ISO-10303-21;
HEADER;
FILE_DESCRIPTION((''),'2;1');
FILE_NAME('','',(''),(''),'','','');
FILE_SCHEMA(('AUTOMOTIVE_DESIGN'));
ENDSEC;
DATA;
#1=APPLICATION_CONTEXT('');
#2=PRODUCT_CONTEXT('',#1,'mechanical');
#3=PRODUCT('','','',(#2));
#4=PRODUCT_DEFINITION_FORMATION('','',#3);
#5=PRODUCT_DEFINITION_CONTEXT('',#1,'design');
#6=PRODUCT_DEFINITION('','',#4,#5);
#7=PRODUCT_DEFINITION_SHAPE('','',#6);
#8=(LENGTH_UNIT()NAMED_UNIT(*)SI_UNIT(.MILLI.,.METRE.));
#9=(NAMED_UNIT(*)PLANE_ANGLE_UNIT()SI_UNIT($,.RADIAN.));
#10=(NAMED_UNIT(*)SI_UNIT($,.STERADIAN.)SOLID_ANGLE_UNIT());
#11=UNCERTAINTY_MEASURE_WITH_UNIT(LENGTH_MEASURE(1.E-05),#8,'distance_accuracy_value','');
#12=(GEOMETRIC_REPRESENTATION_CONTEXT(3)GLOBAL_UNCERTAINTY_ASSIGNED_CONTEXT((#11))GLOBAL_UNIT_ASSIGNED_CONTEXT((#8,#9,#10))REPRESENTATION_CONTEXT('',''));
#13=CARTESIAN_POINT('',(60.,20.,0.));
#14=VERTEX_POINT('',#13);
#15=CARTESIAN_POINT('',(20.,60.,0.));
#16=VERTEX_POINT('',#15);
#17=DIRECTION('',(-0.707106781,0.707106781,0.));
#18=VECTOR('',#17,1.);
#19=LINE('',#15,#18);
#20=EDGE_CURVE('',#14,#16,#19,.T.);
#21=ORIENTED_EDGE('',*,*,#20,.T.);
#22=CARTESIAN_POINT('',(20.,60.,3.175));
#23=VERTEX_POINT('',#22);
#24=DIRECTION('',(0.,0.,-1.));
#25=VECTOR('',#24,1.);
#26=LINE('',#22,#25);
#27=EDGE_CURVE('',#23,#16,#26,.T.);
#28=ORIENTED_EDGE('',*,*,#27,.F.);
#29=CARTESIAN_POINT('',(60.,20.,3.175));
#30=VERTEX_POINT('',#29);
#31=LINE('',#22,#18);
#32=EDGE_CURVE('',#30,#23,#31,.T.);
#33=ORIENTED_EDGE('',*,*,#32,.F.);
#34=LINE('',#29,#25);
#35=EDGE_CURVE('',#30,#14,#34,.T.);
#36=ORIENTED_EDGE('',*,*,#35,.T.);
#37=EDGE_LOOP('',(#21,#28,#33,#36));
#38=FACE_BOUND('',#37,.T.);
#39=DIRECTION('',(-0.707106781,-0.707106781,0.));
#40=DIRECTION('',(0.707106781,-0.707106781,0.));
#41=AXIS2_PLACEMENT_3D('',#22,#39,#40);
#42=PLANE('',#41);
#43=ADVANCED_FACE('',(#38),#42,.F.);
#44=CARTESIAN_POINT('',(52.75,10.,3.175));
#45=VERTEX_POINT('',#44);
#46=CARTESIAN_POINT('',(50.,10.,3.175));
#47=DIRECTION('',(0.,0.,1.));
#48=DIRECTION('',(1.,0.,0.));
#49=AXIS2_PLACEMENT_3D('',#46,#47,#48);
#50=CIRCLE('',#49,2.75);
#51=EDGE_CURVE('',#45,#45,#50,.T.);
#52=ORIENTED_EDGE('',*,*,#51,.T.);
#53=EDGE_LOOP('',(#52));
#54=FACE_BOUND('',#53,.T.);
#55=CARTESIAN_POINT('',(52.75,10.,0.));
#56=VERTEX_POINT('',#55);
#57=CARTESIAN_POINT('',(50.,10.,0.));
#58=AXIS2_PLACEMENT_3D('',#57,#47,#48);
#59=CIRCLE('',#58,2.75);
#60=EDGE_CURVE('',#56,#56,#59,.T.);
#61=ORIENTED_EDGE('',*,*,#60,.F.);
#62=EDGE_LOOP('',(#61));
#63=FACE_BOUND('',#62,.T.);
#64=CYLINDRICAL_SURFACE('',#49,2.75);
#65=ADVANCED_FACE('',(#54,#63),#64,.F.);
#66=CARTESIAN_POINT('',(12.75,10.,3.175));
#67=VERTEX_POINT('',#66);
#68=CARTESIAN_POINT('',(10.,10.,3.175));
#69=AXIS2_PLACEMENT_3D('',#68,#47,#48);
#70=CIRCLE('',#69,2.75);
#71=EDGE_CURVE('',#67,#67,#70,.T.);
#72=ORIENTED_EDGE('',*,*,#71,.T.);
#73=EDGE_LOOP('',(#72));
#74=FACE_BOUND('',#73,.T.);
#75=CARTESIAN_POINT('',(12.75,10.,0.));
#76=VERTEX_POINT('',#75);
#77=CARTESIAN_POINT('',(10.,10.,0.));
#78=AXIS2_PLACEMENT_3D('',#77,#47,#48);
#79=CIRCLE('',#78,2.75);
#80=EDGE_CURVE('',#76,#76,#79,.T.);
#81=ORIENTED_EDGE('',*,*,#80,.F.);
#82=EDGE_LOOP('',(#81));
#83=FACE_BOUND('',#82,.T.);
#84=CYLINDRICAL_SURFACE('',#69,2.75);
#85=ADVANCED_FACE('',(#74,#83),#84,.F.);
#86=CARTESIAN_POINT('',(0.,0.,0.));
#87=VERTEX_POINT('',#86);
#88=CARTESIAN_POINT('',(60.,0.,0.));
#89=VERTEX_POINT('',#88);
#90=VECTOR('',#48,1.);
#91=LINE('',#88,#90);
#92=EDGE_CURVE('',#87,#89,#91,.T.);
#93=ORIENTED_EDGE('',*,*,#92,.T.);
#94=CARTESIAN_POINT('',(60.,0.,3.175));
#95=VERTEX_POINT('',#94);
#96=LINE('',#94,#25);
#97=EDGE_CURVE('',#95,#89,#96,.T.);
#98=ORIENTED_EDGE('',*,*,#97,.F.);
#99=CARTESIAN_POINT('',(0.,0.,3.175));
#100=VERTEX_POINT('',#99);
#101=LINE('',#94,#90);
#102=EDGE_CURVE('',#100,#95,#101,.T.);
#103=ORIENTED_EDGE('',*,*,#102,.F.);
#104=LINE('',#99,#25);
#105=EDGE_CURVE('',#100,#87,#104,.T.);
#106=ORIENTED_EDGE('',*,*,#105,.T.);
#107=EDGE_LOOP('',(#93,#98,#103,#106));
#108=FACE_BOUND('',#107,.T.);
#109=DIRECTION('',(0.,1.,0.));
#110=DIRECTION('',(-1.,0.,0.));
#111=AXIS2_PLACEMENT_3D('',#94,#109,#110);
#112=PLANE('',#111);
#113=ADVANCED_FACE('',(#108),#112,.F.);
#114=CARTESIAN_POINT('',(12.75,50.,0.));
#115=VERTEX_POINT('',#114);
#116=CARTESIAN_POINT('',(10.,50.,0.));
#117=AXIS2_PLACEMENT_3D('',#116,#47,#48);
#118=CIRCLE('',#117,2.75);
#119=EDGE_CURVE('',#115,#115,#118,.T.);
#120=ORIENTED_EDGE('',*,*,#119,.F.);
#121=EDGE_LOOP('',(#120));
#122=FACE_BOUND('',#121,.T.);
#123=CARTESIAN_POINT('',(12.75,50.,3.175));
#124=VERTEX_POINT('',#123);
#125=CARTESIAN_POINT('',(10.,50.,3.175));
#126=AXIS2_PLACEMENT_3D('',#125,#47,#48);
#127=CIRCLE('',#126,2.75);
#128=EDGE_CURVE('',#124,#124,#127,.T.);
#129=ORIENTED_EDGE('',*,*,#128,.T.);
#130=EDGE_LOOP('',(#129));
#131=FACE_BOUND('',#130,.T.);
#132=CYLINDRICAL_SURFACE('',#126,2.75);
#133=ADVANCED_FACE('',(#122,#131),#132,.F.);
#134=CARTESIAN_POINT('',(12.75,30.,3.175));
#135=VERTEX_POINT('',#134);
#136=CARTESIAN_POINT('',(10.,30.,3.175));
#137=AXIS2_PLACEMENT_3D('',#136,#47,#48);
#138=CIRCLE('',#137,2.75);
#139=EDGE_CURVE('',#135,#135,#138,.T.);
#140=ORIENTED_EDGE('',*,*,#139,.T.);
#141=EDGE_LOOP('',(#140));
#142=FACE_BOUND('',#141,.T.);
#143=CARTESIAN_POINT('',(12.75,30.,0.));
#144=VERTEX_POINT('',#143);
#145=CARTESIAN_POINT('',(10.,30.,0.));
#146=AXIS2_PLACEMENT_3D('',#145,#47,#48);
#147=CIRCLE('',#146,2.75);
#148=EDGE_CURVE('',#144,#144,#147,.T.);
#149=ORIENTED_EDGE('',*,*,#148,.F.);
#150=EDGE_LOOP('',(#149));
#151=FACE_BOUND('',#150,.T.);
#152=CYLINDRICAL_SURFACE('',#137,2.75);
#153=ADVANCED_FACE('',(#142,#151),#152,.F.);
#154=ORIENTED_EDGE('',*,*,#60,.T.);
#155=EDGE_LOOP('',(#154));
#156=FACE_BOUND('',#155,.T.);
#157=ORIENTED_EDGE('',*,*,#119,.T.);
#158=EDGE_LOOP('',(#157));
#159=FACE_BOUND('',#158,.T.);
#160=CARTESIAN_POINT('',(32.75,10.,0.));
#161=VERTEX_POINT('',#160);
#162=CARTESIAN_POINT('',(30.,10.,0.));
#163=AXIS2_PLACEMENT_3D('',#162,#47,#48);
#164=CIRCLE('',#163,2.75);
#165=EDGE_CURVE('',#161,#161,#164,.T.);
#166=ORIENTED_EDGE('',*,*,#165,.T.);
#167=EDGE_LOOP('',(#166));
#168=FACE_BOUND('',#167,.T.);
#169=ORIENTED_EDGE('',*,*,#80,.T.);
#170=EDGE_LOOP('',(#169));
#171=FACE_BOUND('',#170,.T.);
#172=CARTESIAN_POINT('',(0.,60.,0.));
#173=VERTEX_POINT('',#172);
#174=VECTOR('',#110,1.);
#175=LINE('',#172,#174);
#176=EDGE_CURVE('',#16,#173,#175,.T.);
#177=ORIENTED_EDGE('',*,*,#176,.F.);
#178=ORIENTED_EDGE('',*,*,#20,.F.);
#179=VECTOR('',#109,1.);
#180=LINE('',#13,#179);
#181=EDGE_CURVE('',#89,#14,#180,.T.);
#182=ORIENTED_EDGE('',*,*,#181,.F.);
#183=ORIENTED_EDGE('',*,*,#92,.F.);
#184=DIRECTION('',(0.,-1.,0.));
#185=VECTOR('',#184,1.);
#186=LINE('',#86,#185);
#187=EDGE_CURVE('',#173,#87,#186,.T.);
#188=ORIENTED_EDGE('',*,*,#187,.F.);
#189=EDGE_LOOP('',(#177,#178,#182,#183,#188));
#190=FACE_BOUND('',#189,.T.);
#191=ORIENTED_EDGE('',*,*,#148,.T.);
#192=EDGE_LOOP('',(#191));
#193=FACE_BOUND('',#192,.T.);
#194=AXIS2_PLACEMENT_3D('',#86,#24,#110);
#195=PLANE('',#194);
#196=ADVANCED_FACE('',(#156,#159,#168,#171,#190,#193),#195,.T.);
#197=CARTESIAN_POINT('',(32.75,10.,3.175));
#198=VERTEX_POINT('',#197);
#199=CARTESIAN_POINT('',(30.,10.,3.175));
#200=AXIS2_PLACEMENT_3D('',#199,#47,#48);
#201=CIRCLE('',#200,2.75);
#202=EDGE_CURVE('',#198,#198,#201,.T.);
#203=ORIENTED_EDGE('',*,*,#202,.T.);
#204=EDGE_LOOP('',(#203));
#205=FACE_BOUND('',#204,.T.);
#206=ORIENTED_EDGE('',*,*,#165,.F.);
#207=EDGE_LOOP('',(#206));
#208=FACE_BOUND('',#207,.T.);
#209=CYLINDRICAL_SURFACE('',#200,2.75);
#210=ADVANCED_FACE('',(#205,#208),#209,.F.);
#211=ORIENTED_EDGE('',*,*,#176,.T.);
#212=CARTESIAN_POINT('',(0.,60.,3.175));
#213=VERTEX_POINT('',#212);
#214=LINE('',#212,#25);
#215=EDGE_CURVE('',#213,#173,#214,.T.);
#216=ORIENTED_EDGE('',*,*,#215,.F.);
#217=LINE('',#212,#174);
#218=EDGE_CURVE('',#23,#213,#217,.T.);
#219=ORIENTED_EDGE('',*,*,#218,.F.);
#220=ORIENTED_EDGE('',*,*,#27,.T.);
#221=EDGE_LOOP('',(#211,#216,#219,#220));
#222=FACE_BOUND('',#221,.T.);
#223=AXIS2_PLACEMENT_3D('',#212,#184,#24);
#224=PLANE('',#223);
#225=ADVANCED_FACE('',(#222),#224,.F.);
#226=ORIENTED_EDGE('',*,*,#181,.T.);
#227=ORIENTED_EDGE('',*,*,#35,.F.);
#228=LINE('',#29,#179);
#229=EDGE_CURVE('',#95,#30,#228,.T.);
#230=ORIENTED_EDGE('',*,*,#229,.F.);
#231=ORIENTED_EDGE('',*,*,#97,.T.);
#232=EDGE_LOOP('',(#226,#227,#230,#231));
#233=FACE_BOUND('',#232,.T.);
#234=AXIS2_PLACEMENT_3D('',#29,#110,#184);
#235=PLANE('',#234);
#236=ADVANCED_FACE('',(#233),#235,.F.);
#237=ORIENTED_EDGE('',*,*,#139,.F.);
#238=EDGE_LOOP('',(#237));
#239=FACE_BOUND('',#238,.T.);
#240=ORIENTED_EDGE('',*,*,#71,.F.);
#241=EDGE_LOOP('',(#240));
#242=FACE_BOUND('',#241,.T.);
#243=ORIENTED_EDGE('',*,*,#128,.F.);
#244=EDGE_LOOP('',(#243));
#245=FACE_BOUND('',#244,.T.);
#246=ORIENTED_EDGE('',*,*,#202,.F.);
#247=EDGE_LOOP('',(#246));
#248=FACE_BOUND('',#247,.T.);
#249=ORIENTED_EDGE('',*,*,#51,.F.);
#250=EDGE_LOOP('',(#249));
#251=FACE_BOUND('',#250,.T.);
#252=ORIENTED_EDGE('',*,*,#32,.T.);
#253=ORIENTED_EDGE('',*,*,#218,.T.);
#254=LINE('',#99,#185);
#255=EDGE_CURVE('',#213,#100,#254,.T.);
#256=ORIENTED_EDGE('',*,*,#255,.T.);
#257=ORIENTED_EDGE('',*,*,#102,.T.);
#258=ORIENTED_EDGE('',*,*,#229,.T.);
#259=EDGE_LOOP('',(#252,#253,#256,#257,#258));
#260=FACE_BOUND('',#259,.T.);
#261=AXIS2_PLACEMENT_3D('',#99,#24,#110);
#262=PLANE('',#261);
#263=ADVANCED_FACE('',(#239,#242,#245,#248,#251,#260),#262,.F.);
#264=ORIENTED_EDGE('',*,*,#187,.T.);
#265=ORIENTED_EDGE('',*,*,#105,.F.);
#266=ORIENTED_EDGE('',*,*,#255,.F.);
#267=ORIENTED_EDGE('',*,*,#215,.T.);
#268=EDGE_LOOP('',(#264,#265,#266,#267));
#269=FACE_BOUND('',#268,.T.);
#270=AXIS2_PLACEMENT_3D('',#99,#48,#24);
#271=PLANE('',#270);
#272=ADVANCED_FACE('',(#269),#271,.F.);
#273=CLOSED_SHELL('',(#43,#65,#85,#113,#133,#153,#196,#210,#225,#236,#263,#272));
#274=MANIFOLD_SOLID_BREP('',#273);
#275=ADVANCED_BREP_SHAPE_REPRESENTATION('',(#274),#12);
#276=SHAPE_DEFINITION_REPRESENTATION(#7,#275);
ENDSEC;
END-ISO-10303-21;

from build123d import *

# Parameters (mm, degrees)
BOSS_EXTRUDE1_DEPTH  = 3.175
M5_CLEARANCE_HOLE1_D = 5.5
LPATTERN1_COUNT      = 3
LPATTERN1_PITCH      = 20
LPATTERN2_COUNT      = 3
LPATTERN2_PITCH      = 20


with BuildPart() as part:
    # Sketch1 → Boss-Extrude1 (new body)
    with BuildSketch(Plane.XY):
        Polygon((0, 0), (0, 60), (20, 60), (60, 20), (60, 0), align=None)
    extrude(amount=BOSS_EXTRUDE1_DEPTH)

    # M5 Clearance Hole1 (through all)
    with Locations(Plane(origin=(10, 10, 3.175), x_dir=(1, 0, 0), z_dir=(0, 0, 1))):
        with Locations((0, 0)):
            m5_clearance_hole1 = Hole(M5_CLEARANCE_HOLE1_D / 2)

    # LPattern1: M5 Clearance Hole1 ×3
    with Locations(*[(i * LPATTERN1_PITCH, 0, 0) for i in range(1, LPATTERN1_COUNT)]):
        add(m5_clearance_hole1, mode=Mode.SUBTRACT)

    # LPattern2: M5 Clearance Hole1 ×3
    with Locations(*[(0, i * LPATTERN2_PITCH, 0) for i in range(1, LPATTERN2_COUNT)]):
        add(m5_clearance_hole1, mode=Mode.SUBTRACT)


solid = part.part
